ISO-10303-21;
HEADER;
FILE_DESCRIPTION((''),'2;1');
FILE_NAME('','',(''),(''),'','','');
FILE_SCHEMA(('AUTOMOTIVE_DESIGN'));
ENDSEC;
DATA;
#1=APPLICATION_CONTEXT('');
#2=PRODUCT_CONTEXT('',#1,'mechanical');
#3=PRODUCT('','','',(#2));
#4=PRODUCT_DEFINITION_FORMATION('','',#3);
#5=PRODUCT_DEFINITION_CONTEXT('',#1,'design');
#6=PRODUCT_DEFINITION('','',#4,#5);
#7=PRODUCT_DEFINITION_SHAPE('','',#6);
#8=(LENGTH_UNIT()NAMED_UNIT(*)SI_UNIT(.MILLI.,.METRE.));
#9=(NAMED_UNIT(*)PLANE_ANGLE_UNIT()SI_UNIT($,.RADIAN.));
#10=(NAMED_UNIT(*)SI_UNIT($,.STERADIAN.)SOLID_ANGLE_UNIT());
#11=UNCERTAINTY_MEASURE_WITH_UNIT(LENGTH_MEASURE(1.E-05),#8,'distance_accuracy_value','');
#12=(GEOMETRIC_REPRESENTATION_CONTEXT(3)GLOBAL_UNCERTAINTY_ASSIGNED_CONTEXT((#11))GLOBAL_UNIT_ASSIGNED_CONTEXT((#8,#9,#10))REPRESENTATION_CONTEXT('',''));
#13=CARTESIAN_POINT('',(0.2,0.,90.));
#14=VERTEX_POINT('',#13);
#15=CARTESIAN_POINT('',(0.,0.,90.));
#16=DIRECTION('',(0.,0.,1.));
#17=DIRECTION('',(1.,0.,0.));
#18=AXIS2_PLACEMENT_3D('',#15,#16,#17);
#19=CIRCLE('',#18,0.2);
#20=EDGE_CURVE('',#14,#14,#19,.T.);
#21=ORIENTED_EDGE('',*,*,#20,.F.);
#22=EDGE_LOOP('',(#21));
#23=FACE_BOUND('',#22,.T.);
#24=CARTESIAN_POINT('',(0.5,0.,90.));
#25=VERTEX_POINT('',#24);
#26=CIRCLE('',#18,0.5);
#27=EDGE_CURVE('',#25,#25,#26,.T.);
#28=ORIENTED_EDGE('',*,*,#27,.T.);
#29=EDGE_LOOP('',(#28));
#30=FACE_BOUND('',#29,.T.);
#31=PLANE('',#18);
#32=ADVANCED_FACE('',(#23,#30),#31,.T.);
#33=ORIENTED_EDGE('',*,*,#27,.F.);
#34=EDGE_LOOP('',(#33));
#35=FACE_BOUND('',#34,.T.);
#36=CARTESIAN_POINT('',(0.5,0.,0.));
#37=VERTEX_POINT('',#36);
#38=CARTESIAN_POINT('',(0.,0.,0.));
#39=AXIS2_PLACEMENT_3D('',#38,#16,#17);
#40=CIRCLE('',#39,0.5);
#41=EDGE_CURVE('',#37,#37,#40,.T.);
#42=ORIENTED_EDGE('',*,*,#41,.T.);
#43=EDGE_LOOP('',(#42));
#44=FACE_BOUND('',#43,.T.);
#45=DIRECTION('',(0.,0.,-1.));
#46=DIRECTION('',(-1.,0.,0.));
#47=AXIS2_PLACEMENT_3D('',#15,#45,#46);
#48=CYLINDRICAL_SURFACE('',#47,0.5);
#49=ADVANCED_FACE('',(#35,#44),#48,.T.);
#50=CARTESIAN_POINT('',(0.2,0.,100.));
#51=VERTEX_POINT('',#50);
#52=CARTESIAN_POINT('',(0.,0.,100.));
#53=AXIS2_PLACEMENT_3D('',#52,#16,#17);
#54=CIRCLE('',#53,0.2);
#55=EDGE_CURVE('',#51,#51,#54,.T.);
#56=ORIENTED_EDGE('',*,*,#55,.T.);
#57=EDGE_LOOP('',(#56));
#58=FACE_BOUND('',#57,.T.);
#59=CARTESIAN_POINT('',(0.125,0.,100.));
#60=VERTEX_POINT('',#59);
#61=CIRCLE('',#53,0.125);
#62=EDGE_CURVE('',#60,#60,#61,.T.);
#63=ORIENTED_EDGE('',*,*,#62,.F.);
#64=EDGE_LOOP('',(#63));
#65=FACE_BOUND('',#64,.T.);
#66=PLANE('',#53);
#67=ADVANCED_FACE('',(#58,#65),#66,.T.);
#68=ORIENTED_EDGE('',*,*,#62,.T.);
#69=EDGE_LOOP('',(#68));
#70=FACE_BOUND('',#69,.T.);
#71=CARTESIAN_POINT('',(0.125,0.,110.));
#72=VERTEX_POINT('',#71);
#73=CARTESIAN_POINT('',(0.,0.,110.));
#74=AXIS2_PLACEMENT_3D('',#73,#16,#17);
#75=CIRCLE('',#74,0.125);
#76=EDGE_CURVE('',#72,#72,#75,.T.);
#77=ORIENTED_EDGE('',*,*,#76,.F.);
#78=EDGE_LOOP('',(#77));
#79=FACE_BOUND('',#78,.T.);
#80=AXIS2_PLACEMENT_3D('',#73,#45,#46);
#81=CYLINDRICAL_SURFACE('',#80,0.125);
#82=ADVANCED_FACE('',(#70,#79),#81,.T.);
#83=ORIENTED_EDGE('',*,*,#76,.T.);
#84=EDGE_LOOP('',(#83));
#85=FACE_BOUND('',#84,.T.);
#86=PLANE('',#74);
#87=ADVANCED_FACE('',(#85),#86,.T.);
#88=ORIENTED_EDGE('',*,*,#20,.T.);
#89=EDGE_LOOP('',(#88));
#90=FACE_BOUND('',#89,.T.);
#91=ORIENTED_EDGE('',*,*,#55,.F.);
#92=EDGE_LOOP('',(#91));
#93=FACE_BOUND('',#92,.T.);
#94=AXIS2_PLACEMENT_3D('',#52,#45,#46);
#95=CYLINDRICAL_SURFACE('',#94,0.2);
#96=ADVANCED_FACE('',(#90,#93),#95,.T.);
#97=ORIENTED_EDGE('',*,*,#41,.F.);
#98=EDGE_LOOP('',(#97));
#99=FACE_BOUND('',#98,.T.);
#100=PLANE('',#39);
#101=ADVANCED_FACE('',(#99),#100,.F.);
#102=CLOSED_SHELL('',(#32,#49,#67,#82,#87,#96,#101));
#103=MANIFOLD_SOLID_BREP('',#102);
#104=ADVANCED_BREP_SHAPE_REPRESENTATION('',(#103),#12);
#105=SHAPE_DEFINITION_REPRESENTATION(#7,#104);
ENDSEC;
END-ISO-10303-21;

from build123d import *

# Parameters (mm, degrees)
SKETCH1_R           = 0.5
BOSS_EXTRUDE1_DEPTH = 90
SKETCH2_R           = 0.2
BOSS_EXTRUDE2_DEPTH = 10
SKETCH3_R           = 0.125
BOSS_EXTRUDE3_DEPTH = 10


with BuildPart() as part:
    # Sketch1 → Boss-Extrude1 (new body)
    with BuildSketch(Plane.XY):
        Circle(SKETCH1_R)
    extrude(amount=BOSS_EXTRUDE1_DEPTH)

    # Sketch2 → Boss-Extrude2 (add)
    with BuildSketch(Plane.XY.offset(90)):
        Circle(SKETCH2_R)
    extrude(amount=BOSS_EXTRUDE2_DEPTH)

    # Sketch3 → Boss-Extrude3 (add)
    with BuildSketch(Plane.XY.offset(100)):
        Circle(SKETCH3_R)
    extrude(amount=BOSS_EXTRUDE3_DEPTH)


solid = part.part
